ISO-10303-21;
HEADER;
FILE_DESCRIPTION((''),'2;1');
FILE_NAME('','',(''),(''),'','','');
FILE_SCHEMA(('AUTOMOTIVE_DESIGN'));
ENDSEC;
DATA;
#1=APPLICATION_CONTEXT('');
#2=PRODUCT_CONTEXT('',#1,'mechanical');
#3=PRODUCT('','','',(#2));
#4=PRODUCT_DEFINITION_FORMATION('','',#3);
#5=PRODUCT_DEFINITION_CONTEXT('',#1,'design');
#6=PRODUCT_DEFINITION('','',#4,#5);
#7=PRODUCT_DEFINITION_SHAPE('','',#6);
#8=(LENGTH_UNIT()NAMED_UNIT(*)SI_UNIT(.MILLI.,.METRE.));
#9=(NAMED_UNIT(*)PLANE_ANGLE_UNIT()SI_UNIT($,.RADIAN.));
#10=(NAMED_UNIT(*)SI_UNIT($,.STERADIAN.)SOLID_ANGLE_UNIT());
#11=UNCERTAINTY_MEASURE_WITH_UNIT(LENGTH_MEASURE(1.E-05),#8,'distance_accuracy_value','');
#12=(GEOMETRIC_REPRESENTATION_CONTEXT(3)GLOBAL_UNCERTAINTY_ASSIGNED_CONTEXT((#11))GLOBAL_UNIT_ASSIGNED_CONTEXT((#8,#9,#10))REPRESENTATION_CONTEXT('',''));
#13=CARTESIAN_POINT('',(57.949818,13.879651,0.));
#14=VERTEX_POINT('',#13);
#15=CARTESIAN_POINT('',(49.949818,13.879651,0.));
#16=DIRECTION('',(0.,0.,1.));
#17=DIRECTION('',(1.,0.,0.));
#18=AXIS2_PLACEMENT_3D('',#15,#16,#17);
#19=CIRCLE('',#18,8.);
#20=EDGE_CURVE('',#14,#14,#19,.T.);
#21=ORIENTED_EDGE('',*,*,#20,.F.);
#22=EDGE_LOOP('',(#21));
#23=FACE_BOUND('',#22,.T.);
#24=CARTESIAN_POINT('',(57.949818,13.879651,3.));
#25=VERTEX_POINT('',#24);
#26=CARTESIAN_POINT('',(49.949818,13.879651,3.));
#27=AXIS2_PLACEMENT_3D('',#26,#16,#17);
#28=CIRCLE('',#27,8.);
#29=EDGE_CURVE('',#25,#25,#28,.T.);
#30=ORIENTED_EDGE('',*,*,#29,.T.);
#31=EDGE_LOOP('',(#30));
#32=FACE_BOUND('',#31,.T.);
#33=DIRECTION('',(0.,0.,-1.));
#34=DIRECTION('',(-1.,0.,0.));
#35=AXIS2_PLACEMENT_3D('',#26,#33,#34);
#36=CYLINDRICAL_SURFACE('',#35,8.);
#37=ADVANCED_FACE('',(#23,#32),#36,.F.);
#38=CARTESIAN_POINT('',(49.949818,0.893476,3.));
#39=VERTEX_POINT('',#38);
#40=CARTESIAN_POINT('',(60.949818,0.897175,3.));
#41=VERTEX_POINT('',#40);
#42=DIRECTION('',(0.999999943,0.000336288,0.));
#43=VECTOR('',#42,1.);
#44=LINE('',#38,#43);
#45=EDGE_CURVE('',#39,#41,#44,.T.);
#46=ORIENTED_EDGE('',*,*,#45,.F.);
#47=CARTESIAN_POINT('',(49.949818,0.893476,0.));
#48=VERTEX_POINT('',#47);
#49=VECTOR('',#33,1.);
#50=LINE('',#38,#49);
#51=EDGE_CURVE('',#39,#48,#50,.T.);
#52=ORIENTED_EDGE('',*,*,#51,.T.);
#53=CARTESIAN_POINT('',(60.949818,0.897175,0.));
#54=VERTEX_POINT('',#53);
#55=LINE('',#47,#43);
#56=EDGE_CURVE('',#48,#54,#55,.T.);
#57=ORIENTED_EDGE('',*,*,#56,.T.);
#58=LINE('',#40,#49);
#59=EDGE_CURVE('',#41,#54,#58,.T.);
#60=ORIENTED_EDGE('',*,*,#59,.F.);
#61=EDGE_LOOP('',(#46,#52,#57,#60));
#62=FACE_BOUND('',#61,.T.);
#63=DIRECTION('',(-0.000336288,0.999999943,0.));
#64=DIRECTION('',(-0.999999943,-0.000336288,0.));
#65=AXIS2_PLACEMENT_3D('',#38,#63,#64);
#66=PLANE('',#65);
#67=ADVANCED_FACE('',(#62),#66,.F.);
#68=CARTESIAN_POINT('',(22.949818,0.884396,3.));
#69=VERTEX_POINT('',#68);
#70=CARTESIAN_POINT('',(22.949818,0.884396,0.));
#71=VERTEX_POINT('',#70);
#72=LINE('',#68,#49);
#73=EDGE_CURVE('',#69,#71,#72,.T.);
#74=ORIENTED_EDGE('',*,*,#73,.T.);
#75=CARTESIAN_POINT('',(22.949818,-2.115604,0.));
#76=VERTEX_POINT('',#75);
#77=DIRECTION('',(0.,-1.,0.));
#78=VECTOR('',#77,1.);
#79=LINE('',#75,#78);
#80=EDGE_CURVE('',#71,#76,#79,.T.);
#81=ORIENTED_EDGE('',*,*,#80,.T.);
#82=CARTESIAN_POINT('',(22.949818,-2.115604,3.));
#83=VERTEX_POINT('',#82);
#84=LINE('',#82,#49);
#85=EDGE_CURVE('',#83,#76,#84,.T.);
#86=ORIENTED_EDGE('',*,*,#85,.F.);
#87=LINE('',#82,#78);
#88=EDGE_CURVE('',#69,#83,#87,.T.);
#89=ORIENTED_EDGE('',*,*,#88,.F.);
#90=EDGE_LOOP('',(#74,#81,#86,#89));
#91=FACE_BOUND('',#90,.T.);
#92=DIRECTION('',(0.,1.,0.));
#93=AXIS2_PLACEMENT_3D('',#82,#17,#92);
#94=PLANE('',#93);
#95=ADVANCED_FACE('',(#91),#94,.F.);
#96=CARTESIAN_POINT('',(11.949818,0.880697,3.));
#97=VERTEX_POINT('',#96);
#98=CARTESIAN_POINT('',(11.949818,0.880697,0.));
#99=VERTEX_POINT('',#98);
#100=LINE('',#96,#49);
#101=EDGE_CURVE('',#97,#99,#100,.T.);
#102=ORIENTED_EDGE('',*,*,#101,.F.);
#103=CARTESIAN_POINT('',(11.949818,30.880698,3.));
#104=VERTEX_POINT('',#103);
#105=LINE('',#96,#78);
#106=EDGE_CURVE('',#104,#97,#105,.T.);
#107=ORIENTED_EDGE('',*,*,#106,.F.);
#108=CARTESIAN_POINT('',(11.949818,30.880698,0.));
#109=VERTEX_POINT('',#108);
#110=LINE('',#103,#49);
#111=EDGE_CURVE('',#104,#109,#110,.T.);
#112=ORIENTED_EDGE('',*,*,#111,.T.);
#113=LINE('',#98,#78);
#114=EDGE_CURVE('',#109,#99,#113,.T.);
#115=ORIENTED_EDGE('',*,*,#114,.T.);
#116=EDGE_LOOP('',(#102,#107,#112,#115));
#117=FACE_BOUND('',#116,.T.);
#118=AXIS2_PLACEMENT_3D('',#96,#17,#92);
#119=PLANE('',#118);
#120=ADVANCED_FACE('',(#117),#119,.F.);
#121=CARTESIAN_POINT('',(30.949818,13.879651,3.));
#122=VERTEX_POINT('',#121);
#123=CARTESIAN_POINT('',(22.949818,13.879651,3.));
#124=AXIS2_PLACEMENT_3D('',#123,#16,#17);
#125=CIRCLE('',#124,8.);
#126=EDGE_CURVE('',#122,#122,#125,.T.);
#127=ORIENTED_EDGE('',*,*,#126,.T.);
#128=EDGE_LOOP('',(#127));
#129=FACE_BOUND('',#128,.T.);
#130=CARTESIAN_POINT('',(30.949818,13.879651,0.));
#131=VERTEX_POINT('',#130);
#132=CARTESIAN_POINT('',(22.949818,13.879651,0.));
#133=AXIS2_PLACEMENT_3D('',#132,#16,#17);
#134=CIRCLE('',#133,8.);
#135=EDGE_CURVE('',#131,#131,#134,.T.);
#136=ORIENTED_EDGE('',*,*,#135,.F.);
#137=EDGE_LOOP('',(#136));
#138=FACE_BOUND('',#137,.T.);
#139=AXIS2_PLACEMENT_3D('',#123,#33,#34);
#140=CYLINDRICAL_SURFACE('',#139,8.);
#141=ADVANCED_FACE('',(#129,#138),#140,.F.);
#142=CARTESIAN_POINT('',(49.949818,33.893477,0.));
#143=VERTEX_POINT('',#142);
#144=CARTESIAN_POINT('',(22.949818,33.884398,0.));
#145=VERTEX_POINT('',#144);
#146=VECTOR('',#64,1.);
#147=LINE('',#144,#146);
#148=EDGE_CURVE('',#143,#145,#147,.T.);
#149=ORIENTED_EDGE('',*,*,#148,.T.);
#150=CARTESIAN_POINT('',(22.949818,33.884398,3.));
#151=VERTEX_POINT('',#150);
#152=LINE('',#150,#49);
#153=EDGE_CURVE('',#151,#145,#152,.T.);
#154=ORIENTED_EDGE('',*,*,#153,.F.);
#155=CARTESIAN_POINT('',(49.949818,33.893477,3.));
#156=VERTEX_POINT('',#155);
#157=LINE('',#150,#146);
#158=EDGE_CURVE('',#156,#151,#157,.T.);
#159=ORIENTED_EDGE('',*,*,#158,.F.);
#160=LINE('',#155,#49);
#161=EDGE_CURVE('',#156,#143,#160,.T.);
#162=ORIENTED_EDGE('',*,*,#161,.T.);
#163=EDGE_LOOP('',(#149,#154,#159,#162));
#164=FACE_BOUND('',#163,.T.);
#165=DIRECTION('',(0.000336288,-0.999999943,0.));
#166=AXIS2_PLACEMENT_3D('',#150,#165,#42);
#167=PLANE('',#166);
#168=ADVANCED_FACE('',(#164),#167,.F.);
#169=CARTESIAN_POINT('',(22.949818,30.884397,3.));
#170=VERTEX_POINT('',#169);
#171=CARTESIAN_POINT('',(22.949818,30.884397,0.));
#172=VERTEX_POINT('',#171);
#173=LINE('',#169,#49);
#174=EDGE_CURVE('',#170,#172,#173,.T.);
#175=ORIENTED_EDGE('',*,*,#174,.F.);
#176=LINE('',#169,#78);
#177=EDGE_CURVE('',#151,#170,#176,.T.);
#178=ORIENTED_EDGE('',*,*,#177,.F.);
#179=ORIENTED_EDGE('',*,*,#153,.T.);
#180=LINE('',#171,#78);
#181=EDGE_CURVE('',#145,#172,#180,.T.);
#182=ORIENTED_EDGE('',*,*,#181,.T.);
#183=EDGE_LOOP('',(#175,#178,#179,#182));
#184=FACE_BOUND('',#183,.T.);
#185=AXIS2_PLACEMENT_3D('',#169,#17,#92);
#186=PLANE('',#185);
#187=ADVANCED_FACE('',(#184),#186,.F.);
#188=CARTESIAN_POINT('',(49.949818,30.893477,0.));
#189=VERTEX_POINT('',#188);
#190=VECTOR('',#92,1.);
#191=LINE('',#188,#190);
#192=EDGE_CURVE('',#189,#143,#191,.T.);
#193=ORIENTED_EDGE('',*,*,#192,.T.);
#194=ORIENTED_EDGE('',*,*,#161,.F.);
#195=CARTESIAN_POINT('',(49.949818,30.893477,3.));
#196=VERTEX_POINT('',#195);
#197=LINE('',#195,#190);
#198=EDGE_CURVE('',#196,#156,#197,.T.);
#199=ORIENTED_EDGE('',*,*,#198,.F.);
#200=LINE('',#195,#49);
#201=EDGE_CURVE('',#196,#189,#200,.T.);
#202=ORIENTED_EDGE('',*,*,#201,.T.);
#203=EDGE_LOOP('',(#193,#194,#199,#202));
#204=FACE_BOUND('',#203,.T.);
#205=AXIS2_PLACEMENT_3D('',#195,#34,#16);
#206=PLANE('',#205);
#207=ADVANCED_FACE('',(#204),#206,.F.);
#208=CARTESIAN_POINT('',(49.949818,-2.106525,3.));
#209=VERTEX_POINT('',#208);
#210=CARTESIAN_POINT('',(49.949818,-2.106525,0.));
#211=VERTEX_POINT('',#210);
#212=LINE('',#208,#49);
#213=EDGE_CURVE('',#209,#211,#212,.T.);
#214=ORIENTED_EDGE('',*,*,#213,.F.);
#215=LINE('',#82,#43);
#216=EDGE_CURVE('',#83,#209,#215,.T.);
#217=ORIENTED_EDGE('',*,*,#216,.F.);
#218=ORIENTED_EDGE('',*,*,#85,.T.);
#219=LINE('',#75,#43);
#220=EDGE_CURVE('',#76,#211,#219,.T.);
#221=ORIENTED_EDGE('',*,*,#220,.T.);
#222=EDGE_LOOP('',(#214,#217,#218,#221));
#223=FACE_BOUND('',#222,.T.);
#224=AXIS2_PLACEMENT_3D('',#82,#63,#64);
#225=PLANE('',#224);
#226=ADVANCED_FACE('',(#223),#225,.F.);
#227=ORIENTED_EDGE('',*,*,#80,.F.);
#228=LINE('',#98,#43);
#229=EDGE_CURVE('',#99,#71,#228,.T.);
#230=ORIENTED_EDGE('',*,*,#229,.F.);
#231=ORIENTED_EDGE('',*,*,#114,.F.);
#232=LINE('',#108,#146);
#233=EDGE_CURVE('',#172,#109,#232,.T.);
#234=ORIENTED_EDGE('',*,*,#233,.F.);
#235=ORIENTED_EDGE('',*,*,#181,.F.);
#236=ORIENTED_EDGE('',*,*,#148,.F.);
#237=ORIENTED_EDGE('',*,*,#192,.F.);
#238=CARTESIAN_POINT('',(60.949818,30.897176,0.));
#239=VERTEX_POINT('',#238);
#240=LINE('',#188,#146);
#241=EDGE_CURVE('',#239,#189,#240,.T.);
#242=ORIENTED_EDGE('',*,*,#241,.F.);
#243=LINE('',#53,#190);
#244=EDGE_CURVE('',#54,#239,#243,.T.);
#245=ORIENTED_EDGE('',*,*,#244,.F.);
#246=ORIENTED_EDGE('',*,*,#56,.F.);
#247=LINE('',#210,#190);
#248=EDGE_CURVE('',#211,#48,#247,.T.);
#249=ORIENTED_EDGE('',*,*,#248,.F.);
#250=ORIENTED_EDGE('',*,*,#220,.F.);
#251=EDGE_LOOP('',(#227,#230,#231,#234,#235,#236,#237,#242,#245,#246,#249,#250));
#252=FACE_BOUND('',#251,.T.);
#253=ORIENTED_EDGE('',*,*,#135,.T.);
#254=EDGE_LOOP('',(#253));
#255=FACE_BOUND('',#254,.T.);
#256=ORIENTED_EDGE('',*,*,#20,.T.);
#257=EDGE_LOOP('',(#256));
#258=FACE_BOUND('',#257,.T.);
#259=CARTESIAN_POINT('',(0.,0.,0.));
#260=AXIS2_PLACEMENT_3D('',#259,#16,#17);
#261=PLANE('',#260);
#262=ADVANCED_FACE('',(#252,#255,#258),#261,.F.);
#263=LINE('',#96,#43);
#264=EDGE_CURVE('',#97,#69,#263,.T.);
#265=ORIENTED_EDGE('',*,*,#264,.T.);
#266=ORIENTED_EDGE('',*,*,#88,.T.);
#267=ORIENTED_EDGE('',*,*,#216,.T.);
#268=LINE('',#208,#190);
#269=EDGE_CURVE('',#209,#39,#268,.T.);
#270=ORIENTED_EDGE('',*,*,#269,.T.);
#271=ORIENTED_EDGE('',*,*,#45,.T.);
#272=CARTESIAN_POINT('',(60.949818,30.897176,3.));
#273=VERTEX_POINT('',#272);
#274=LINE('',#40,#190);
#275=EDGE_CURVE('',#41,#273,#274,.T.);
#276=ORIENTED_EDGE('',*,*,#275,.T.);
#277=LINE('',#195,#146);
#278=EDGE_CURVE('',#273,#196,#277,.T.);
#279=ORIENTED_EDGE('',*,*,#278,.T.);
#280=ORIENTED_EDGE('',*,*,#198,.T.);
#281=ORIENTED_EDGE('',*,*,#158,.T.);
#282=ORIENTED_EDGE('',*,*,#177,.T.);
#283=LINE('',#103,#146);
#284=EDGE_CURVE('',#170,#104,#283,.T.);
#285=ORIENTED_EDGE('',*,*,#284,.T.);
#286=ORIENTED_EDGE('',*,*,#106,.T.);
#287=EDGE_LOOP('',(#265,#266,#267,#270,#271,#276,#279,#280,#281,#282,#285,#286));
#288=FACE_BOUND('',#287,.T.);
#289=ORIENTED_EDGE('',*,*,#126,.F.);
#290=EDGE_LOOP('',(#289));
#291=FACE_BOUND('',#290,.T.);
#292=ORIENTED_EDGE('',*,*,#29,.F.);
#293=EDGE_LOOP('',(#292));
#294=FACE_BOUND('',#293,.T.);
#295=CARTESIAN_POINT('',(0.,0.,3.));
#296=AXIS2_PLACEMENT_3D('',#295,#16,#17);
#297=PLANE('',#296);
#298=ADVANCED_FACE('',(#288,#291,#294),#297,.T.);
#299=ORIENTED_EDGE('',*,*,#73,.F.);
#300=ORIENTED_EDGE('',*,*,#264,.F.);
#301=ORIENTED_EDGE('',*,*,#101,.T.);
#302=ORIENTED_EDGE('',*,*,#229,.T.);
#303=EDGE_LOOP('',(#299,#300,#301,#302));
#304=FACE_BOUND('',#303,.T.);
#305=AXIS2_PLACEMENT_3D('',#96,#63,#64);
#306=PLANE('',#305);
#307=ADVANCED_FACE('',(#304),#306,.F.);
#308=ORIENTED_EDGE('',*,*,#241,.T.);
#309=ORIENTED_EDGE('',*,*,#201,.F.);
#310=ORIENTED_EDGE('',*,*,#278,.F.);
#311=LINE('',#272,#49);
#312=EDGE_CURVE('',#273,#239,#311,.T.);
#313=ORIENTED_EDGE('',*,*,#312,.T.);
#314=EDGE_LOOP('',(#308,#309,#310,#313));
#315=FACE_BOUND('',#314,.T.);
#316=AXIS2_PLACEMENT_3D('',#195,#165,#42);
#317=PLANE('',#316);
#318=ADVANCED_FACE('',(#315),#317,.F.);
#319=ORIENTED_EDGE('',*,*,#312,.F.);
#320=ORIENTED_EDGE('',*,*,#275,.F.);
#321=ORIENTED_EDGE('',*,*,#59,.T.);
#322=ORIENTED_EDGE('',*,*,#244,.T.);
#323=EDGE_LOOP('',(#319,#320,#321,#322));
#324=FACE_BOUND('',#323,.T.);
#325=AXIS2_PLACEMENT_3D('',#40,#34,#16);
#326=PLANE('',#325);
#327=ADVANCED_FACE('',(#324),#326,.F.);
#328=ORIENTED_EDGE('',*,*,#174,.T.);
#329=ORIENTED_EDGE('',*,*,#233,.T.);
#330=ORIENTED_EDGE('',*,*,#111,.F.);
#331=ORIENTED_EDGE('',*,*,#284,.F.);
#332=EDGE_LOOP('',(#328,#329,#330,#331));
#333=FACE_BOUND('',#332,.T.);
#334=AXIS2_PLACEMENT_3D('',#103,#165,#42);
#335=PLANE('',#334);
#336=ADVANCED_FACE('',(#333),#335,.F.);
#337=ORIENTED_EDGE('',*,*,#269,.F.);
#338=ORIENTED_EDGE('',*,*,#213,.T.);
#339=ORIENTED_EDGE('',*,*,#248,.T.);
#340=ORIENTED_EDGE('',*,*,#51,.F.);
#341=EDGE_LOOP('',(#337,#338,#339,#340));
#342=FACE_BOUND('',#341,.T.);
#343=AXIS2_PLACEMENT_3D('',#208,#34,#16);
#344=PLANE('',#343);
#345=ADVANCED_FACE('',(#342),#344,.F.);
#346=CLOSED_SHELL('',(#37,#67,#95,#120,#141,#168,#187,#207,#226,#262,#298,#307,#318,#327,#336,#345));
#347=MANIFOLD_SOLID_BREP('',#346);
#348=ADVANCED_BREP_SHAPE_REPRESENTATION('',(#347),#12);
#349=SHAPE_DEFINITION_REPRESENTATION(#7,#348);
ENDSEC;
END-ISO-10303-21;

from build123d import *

# Parameters (mm, degrees)
MODEL_R             = 8
BOSS_EXTRUDE1_DEPTH = 3


with BuildPart() as part:
    # Model → Boss-Extrude1 (new body)
    with BuildSketch(Plane.XY):
        Polygon((11.949818483, 0.880696589), (11.949818483, 30.880698285), (22.949818483, 30.884397455), (22.949818483, 33.884397625), (49.949818483, 33.893477406), (49.949818483, 30.893477236), (60.949818483, 30.897176406), (60.949818483, 0.89717471), (49.949818483, 0.89347554), (49.949818483, -2.10652463), (22.949818483, -2.115604411), (22.949818483, 0.884395759), align=None)
        with Locations((22.949818483, 13.879651404)):
            Circle(MODEL_R, mode=Mode.SUBTRACT)
        with Locations((49.949818483, 13.879651404)):
            Circle(MODEL_R, mode=Mode.SUBTRACT)
    extrude(amount=BOSS_EXTRUDE1_DEPTH)


solid = part.part
